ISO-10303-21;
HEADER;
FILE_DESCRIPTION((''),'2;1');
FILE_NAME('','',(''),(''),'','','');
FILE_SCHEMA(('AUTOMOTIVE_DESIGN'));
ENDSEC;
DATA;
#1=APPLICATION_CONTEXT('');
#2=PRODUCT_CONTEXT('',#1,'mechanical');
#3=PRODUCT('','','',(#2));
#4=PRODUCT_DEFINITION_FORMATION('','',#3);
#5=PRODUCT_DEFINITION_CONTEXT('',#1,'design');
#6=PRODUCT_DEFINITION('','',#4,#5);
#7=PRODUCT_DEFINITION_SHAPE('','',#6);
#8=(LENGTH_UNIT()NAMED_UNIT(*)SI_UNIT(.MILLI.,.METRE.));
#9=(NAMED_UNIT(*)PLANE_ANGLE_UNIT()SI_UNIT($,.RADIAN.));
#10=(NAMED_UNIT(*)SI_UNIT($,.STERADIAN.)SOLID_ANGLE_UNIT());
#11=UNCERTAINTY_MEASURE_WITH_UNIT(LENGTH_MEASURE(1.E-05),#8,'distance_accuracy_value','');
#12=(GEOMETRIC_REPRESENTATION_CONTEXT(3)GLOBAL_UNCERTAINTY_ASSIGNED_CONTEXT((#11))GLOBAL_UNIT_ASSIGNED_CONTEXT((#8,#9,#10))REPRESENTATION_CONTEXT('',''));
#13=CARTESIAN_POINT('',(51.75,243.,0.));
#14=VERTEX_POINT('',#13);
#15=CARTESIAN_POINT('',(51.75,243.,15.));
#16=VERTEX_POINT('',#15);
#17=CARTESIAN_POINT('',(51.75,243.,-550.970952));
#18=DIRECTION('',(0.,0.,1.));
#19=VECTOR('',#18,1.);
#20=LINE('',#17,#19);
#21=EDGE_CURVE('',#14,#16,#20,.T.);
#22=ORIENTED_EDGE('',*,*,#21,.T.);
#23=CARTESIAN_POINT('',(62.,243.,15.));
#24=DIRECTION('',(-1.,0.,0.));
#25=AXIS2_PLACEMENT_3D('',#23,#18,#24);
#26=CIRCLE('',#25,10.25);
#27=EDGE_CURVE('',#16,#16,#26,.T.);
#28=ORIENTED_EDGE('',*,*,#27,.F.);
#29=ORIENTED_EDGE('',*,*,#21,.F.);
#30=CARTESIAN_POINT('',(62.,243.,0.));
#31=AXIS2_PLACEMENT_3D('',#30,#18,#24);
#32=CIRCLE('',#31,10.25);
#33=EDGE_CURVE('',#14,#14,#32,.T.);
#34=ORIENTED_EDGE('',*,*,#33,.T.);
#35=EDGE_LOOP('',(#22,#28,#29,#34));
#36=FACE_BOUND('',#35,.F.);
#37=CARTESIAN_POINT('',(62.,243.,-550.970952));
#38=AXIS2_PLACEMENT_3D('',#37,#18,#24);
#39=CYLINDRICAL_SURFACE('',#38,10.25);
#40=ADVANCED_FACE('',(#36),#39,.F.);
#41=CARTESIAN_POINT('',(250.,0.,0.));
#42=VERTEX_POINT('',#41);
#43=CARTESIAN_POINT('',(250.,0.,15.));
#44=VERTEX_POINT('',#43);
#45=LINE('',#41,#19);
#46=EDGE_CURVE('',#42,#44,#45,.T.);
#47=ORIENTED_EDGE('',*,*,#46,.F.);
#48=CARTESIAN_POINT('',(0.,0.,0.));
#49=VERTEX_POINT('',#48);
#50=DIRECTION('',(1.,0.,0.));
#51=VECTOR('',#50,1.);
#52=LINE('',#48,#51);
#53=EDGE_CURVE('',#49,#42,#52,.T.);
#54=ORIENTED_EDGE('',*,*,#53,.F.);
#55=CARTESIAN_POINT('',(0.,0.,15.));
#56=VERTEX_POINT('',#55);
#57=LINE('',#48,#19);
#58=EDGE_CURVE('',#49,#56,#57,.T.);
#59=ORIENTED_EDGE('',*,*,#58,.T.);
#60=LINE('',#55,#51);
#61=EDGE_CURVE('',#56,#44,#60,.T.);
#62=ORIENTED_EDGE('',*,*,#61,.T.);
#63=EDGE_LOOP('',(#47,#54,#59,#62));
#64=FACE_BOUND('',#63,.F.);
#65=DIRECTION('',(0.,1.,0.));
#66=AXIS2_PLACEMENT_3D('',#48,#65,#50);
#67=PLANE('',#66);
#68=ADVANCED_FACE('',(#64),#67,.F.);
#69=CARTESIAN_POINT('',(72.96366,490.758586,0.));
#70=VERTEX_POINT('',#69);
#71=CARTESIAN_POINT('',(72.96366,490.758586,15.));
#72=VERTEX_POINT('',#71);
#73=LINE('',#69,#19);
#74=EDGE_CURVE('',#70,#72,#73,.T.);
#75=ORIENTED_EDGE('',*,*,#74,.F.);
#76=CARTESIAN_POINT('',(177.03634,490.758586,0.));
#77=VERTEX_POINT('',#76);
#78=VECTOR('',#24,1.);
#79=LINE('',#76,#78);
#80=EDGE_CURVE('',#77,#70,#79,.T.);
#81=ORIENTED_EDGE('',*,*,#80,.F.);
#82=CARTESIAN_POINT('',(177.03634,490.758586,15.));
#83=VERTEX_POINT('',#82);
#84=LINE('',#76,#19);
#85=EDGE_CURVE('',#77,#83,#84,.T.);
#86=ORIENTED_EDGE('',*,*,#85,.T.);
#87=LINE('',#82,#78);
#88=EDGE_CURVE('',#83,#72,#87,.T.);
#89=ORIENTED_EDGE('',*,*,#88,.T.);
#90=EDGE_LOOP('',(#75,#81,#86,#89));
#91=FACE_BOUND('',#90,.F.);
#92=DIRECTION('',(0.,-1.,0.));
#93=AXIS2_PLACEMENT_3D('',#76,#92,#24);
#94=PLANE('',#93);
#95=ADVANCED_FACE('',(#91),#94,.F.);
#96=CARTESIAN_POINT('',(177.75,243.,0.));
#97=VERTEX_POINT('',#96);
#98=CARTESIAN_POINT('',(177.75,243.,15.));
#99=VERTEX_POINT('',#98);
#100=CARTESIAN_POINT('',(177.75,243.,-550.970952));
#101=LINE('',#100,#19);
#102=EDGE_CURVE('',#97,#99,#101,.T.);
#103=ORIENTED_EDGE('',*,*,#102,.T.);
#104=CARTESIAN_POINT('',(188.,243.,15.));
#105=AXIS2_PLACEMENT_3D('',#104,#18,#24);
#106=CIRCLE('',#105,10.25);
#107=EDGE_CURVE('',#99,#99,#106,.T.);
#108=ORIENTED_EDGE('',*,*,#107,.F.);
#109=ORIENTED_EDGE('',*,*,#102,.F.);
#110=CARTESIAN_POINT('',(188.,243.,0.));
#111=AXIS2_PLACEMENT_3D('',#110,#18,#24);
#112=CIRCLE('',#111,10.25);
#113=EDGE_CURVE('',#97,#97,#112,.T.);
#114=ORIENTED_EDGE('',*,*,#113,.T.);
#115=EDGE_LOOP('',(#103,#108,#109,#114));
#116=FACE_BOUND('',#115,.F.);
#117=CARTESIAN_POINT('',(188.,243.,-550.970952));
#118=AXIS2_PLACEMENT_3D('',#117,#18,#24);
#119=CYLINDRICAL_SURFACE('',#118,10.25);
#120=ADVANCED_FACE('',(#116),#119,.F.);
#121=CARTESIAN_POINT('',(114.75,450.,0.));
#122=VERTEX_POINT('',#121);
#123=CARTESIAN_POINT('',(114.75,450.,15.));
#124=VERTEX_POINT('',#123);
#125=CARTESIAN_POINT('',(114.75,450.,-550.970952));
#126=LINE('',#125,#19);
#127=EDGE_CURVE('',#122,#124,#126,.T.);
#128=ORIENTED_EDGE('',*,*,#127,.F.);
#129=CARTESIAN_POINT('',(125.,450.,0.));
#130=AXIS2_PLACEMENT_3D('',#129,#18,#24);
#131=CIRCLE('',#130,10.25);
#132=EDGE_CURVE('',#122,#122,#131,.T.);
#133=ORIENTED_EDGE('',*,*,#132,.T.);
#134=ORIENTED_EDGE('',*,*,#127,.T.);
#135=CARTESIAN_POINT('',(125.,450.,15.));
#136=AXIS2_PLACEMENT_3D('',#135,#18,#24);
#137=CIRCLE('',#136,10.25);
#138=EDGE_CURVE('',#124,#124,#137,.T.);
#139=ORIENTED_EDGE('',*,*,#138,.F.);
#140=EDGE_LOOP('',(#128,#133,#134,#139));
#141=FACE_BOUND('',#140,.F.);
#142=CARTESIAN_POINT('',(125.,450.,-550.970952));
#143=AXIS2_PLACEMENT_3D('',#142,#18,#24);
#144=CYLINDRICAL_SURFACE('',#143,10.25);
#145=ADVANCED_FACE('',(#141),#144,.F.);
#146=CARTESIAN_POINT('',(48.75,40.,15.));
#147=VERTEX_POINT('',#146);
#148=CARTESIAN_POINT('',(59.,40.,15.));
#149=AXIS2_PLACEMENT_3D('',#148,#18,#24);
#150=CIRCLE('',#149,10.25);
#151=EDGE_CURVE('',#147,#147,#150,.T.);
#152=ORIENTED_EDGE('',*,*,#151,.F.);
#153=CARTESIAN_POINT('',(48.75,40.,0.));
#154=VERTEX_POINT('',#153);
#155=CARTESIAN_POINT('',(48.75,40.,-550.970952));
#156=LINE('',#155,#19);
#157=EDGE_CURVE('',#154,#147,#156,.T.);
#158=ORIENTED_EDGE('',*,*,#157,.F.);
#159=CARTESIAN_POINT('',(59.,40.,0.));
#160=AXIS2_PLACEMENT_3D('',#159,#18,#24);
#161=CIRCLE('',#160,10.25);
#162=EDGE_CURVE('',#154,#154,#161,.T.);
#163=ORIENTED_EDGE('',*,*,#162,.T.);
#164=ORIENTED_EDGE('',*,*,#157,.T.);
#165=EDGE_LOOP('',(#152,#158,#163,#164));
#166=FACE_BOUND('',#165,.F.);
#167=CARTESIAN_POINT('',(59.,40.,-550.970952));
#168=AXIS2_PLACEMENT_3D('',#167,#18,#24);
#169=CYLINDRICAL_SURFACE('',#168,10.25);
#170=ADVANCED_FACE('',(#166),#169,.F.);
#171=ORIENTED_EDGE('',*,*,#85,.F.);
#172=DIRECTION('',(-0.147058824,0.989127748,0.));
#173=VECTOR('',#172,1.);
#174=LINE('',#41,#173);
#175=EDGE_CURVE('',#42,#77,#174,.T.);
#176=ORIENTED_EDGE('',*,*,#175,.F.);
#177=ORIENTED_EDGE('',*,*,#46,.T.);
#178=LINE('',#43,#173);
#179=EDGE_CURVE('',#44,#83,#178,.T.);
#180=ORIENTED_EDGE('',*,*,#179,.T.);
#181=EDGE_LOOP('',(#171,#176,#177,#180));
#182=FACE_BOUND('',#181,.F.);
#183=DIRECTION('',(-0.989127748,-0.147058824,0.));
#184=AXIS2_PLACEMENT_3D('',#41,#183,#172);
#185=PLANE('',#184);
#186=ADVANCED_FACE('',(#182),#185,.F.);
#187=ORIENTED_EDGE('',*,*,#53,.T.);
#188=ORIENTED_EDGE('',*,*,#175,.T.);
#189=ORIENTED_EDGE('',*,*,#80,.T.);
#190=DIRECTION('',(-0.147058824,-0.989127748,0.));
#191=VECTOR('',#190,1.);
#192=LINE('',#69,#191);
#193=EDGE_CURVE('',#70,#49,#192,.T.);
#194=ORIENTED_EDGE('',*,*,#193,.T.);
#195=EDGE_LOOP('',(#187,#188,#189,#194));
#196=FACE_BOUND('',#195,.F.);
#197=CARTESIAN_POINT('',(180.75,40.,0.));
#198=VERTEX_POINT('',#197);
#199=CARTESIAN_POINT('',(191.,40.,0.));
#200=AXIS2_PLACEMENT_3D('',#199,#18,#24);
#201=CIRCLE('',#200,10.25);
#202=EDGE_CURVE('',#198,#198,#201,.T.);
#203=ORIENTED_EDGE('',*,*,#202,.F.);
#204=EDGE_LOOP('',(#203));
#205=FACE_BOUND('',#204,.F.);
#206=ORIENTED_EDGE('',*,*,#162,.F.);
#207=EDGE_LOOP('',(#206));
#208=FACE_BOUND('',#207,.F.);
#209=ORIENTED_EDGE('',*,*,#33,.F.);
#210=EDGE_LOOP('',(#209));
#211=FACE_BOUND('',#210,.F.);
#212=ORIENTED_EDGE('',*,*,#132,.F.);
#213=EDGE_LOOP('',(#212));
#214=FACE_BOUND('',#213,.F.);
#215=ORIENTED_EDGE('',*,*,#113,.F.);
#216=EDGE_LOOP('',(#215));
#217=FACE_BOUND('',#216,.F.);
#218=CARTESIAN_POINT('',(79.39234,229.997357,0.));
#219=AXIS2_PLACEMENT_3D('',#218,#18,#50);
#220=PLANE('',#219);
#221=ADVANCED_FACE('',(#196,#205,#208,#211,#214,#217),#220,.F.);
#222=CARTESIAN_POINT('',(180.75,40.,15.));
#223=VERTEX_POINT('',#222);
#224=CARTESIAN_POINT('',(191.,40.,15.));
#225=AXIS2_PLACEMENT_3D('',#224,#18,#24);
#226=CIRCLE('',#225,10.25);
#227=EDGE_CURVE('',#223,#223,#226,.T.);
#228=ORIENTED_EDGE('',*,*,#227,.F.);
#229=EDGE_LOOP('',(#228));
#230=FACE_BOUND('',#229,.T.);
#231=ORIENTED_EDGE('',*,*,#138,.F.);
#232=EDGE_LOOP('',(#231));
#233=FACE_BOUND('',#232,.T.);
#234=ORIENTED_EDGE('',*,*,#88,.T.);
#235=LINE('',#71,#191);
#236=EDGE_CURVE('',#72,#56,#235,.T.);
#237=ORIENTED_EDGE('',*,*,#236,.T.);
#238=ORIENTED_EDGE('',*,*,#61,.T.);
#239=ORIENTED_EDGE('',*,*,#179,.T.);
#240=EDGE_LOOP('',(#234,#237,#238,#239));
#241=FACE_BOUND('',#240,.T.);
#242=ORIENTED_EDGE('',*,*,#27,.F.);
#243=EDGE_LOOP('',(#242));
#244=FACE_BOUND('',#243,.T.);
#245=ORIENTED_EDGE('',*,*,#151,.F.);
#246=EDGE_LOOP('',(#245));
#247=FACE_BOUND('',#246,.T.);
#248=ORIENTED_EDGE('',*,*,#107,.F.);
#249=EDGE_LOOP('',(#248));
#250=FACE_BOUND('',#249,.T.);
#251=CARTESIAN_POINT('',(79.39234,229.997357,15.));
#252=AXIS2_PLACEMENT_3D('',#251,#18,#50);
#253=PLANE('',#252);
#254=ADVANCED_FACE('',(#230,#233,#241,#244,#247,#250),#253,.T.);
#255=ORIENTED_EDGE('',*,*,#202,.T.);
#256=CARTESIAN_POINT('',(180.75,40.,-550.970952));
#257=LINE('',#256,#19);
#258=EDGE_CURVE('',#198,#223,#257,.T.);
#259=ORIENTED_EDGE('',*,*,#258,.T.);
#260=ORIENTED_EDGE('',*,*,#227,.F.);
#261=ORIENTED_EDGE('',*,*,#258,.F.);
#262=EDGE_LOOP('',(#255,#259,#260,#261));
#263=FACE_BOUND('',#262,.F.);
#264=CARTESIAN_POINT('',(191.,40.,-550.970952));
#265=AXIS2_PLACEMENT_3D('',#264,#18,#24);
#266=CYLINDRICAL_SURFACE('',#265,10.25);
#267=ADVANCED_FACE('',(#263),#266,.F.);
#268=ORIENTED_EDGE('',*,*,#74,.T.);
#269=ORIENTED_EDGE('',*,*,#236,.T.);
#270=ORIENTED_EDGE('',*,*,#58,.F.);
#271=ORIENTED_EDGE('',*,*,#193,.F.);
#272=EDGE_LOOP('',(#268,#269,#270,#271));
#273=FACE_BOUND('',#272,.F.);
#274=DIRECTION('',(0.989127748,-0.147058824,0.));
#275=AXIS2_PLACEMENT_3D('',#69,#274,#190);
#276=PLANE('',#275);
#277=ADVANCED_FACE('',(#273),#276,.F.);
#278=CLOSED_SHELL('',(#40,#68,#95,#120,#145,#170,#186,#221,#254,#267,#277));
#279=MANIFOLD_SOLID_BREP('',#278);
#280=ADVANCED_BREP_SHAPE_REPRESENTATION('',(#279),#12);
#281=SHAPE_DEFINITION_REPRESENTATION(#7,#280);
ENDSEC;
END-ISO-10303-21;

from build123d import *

# Parameters (mm, degrees)
F1_DEPTH = 15
F3_D     = 20.5


with BuildPart() as f1:
    # F0 (on Top) → F1 (new body)
    with BuildSketch(Plane.XY):
        Polygon((72.9636595731, 490.75858604), (0, 0), (125, 0), (125, 490.75858604), align=None)
        Polygon((125, 490.75858604), (125, 0), (250, 0), (177.0363404269, 490.75858604), align=None)
    extrude(amount=F1_DEPTH)

    # F3 (through all)
    with Locations(Plane(origin=(0, 0, 0), x_dir=(1, 0, 0), z_dir=(0, 0, -1))):
        with Locations((125, -450), (62, -243), (188, -243), (191, -40), (59, -40)):
            Hole(F3_D / 2)


solid = f1.part
